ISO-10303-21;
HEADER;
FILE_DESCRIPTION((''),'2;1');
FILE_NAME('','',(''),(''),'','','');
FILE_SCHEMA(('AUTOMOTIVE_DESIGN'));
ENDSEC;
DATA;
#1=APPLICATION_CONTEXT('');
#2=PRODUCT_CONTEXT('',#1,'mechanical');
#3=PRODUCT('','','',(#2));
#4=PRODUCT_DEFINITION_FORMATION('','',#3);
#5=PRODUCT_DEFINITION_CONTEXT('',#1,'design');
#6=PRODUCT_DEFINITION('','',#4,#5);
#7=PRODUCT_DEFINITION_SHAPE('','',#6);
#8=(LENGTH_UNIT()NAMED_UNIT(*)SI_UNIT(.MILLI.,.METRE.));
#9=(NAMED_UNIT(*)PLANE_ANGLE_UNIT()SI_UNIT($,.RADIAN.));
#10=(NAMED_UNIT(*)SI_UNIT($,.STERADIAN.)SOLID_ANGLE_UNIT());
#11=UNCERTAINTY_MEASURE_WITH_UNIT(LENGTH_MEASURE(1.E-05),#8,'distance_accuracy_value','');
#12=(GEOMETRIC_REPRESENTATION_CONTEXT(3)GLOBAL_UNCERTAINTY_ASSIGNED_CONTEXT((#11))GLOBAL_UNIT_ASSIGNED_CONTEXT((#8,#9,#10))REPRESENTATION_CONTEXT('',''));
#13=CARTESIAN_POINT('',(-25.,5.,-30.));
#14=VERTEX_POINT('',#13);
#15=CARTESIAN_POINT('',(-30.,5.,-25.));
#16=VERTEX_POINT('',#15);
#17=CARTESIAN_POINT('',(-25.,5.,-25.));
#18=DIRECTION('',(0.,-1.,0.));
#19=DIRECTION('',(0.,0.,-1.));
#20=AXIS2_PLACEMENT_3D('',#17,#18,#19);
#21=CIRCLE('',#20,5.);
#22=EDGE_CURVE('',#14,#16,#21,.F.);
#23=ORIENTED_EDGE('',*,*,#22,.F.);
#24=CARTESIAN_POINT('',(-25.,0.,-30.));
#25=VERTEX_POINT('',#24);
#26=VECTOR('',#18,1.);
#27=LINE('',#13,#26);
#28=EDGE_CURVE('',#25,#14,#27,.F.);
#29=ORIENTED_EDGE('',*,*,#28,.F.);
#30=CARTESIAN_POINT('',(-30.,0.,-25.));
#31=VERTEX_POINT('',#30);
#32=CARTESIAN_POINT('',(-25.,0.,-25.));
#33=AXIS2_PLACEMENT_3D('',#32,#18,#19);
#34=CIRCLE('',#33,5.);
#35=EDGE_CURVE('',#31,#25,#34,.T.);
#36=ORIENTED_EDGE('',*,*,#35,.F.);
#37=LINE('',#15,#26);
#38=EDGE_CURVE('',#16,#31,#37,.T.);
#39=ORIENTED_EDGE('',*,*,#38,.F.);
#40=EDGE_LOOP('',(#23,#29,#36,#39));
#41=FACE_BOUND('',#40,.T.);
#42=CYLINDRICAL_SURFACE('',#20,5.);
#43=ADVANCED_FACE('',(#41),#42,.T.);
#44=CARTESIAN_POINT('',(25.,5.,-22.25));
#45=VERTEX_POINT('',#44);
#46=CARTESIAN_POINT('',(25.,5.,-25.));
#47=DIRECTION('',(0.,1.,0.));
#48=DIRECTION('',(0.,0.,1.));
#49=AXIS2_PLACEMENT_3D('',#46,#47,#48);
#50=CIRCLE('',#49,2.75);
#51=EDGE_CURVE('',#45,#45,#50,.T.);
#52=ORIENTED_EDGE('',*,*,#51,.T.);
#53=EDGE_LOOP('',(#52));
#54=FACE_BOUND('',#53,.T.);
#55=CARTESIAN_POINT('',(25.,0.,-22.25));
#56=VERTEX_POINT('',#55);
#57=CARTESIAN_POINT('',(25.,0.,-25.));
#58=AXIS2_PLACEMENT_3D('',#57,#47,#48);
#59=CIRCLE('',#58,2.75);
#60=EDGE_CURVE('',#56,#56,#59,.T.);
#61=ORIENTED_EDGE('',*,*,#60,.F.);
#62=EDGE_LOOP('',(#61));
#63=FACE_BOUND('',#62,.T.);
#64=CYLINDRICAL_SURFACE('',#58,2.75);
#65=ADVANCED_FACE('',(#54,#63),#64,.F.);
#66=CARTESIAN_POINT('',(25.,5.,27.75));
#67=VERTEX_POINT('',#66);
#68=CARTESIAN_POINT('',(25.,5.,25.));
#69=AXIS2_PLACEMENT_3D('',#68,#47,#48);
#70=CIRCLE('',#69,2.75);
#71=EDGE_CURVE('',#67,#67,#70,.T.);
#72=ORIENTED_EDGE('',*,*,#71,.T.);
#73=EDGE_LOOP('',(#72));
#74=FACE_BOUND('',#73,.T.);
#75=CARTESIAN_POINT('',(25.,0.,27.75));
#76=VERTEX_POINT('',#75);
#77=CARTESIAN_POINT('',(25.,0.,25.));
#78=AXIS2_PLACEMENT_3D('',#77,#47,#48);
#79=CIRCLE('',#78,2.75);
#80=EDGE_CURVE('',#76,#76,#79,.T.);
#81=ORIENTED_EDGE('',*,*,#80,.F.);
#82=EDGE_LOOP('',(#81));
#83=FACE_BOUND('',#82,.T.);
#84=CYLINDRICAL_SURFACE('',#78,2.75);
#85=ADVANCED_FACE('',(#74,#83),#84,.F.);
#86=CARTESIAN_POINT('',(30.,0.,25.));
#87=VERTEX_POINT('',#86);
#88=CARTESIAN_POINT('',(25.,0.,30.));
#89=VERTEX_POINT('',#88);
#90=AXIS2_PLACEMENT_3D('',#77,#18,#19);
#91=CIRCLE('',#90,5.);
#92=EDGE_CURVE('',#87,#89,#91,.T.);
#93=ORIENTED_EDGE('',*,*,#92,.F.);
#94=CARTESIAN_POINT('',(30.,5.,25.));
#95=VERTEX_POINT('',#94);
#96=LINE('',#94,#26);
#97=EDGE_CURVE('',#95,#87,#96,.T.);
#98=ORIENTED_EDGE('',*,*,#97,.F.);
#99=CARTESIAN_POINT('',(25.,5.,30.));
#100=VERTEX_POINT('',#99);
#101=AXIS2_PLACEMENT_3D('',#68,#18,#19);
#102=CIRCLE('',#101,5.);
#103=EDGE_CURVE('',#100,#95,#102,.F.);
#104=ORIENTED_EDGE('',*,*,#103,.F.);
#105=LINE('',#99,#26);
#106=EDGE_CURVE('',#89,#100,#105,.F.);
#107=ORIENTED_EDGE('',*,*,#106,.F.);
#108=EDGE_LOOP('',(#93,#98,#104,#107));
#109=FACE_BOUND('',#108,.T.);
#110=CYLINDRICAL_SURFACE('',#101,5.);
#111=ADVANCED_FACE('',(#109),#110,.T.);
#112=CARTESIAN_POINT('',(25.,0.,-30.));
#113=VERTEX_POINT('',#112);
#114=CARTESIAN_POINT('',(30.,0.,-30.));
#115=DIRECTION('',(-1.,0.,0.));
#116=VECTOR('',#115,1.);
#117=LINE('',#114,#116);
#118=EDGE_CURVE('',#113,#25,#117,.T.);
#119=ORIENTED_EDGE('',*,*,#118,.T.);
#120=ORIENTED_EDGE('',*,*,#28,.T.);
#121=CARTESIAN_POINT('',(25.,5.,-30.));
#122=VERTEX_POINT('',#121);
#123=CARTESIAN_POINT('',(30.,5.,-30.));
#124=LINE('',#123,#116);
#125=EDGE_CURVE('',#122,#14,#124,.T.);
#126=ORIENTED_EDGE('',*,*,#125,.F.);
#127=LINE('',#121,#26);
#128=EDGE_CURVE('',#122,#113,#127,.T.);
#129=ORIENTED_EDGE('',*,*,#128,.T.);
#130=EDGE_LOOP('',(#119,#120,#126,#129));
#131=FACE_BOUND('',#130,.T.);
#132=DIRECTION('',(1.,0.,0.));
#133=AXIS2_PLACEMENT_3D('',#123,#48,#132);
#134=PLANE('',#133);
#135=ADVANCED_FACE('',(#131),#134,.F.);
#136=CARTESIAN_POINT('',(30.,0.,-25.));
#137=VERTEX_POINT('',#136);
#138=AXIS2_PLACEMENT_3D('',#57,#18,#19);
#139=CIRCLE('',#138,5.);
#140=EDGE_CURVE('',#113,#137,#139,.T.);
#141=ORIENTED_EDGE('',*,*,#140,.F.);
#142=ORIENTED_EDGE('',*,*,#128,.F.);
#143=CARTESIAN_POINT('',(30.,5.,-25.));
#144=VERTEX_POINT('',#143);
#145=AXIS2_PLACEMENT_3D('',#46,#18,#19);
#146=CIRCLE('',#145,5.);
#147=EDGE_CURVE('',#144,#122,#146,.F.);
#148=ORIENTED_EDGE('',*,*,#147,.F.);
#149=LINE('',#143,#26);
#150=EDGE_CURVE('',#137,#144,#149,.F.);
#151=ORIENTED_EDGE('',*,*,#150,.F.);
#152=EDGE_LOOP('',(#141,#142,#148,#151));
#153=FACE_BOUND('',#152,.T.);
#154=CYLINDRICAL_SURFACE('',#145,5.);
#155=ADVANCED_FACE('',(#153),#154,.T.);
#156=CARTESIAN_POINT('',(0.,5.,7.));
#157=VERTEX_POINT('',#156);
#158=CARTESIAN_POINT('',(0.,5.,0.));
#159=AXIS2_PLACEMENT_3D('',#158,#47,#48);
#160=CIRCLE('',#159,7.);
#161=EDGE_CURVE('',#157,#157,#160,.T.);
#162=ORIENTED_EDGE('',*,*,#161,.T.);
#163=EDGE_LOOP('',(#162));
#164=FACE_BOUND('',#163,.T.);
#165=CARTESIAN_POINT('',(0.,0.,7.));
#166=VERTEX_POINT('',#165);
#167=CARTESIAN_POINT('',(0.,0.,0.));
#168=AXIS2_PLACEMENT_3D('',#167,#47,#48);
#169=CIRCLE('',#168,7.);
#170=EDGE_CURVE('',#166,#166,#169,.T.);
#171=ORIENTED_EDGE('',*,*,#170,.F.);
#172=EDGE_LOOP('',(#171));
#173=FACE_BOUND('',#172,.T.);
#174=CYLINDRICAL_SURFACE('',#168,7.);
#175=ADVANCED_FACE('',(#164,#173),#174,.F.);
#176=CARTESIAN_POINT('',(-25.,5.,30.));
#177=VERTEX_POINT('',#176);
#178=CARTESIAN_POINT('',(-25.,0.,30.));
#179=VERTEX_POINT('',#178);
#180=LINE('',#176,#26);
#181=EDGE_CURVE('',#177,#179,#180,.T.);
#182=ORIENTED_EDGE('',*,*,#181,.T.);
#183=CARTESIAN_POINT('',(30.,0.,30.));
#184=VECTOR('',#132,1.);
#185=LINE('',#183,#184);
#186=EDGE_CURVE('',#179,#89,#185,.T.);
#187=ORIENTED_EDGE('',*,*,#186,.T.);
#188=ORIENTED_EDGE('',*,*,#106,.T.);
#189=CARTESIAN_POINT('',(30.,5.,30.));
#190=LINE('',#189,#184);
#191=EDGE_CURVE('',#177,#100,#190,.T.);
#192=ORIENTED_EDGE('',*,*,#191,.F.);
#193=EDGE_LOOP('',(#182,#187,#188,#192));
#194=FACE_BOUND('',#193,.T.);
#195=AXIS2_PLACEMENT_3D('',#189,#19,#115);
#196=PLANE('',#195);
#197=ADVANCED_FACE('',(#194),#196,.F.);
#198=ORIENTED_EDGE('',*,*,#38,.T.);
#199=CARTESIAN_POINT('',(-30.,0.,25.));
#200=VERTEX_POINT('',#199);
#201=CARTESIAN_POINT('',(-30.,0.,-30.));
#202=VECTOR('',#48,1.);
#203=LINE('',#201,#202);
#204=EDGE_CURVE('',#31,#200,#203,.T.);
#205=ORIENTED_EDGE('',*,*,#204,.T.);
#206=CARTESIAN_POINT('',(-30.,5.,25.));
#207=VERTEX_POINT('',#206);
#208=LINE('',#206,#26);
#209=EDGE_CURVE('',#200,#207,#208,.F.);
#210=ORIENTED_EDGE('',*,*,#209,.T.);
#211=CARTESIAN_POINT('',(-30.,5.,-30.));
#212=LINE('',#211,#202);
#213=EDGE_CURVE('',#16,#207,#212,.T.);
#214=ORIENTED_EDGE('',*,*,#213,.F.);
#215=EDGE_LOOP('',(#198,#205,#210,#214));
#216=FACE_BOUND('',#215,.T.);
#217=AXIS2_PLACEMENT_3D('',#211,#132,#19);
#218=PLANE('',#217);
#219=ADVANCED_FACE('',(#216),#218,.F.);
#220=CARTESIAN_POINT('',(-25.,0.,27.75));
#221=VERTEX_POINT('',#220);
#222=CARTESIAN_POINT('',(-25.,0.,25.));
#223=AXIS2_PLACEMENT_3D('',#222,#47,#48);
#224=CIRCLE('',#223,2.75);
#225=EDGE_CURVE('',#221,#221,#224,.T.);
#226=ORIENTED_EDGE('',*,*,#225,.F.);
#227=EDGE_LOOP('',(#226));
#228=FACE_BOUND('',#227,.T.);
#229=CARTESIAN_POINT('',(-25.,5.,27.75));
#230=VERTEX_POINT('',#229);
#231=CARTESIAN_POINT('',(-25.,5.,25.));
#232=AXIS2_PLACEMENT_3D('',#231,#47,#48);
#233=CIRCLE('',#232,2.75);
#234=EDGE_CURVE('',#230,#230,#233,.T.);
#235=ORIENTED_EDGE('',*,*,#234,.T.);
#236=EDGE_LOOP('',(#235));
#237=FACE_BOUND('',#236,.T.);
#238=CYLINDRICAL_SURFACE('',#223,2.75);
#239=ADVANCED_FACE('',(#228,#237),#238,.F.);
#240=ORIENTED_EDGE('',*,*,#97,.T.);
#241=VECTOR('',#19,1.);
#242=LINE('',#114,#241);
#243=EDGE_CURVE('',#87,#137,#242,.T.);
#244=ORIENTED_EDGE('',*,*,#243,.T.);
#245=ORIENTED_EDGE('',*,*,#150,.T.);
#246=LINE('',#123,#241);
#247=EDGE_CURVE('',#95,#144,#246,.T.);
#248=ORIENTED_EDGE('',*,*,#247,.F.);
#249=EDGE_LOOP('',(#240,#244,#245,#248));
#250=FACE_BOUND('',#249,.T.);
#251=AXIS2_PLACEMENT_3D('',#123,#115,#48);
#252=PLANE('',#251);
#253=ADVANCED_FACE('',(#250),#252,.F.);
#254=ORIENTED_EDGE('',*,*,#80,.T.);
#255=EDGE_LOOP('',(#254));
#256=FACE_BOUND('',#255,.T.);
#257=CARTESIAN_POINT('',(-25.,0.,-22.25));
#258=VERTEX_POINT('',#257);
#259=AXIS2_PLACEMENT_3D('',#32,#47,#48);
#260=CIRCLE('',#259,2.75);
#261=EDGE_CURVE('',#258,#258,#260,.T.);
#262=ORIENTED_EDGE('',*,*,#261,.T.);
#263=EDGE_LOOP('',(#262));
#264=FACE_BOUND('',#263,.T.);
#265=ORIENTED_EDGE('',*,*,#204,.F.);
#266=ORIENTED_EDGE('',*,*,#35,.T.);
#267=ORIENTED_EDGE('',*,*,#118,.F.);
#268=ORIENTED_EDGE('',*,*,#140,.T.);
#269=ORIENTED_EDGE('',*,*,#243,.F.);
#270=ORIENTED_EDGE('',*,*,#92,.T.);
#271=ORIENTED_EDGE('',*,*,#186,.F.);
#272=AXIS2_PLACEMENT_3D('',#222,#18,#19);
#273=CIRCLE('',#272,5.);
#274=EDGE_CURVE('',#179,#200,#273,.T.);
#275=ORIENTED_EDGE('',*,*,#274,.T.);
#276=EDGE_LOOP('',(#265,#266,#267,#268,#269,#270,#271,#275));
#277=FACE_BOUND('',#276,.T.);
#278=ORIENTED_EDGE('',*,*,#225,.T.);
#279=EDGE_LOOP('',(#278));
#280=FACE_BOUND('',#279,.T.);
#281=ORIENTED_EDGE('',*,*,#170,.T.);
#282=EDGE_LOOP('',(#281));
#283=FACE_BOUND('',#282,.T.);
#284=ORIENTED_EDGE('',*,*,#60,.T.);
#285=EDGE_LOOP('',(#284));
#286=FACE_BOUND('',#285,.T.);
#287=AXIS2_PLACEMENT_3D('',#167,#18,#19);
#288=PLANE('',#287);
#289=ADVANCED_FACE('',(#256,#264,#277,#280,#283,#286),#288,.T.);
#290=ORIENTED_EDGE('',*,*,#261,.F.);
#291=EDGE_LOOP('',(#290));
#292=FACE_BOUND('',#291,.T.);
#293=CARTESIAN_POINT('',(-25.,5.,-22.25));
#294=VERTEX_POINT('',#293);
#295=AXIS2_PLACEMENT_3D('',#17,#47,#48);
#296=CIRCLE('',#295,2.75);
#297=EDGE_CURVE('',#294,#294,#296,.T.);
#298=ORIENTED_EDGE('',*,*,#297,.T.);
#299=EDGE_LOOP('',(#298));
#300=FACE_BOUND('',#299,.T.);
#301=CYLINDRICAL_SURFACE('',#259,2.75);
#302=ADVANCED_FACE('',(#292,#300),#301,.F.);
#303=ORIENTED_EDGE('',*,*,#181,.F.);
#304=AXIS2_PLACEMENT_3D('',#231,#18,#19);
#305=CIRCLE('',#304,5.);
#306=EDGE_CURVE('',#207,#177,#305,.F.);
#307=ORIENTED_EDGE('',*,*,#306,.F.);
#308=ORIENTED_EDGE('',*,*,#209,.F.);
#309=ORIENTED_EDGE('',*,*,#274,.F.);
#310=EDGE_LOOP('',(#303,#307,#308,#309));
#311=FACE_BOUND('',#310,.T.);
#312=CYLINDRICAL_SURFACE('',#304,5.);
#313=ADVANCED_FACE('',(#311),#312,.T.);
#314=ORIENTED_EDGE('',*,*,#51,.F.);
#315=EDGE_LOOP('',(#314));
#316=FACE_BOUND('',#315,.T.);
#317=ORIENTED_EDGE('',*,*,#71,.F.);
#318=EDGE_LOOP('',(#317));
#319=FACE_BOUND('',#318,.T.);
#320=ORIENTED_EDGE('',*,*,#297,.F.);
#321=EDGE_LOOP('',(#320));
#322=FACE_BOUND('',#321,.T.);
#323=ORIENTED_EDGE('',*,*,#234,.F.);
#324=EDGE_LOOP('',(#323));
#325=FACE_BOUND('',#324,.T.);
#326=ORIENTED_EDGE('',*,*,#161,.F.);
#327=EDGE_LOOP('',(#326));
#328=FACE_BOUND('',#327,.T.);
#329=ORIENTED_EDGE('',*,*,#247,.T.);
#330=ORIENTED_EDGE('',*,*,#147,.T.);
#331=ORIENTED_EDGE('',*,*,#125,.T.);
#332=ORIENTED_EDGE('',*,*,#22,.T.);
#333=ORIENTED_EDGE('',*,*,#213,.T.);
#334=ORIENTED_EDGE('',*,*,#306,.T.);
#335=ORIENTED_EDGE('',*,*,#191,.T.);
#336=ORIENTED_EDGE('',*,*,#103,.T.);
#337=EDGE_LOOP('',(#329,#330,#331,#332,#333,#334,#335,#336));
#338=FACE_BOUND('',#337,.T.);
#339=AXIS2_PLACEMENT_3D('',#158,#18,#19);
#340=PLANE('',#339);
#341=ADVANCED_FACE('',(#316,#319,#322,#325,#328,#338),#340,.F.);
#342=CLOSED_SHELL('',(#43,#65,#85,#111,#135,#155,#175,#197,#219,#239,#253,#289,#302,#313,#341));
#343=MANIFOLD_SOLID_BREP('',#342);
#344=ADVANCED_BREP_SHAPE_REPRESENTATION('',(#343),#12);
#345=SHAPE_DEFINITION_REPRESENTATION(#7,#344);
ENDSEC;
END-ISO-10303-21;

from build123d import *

# Parameters (mm, degrees)
SKETCH1_W           = 60
SKETCH1_H           = 60
BOSS_EXTRUDE1_DEPTH = 5
SKETCH2_R           = 2.75
CUT_EXTRUDE1_DEPTH  = 5
FILLET2_R           = 5
SKETCH3_R           = 7
CUT_EXTRUDE2_DEPTH  = 5


with BuildPart() as part:
    # Sketch1 → Boss-Extrude1 (new body)
    with BuildSketch(Plane(origin=(0, 0, 0), x_dir=(1, 0, 0), z_dir=(0, 1, 0))):
        Rectangle(SKETCH1_W, SKETCH1_H)
    extrude(amount=BOSS_EXTRUDE1_DEPTH)

    # Sketch2 → Cut-Extrude1 (cut)
    with BuildSketch(Plane(origin=(0, 5, 0), x_dir=(1, 0, 0), z_dir=(0, 1, 0))):
        with Locations((25, 25)):
            Circle(SKETCH2_R)
        with Locations((-25, 25)):
            Circle(SKETCH2_R)
        with Locations((-25, -25)):
            Circle(SKETCH2_R)
        with Locations((25, -25)):
            Circle(SKETCH2_R)
    extrude(amount=-CUT_EXTRUDE1_DEPTH, mode=Mode.SUBTRACT)

    # Fillet2
    fillet2_edges = [part.edges().sort_by_distance(p)[0] for p in [
        (-30, 2.5, -30),
        (30, 2.5, -30),
        (30, 2.5, 30),
        (-30, 2.5, 30),
    ]]
    fillet(fillet2_edges, radius=FILLET2_R)

    # Sketch3 → Cut-Extrude2 (cut)
    with BuildSketch(Plane(origin=(0, 5, 0), x_dir=(1, 0, 0), z_dir=(0, 1, 0))):
        Circle(SKETCH3_R)
    extrude(amount=-CUT_EXTRUDE2_DEPTH, mode=Mode.SUBTRACT)


solid = part.part
